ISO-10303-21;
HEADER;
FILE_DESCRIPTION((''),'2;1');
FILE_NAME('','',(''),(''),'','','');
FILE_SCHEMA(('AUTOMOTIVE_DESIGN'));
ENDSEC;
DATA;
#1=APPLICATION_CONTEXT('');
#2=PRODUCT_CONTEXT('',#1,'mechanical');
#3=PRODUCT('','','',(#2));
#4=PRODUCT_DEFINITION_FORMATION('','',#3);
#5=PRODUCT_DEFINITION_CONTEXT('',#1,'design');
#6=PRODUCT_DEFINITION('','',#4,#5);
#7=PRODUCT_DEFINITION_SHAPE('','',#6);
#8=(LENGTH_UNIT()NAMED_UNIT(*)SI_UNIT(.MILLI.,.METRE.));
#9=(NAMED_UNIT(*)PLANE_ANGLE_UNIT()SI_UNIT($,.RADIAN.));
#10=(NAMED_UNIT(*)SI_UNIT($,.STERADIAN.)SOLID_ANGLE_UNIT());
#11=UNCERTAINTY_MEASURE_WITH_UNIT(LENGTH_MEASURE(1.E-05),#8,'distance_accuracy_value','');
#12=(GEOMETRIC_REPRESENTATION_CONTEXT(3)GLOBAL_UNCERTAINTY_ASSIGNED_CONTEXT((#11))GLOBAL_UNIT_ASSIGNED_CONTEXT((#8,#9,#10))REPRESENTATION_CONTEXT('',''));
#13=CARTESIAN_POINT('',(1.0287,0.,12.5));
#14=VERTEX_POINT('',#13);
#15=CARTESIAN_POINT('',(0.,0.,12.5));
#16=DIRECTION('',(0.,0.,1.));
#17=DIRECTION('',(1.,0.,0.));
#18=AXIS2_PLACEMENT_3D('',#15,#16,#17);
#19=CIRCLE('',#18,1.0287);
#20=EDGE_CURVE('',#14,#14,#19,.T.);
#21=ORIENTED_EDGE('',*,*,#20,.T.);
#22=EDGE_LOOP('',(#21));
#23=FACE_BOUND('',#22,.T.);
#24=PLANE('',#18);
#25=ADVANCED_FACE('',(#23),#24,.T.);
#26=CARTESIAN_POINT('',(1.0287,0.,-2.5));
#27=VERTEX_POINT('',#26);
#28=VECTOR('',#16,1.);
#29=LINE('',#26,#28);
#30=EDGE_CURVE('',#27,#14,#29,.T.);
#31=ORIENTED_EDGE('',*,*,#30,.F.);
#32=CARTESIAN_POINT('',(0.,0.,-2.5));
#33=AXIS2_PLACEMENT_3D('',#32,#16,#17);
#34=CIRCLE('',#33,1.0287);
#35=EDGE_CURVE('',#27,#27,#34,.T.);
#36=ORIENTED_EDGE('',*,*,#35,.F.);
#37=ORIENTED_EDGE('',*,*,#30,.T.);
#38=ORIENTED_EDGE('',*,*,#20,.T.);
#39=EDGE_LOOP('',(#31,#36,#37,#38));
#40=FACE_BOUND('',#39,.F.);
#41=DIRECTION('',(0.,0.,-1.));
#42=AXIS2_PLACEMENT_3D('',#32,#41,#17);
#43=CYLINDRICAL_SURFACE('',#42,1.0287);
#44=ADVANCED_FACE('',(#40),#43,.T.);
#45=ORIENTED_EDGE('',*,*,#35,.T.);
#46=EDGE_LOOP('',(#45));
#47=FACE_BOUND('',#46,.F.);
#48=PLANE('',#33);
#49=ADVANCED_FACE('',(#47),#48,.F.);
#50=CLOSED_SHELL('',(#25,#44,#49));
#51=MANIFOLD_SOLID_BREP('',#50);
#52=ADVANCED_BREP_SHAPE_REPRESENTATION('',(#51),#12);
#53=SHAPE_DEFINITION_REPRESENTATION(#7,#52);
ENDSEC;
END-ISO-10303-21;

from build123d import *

# Parameters (mm, degrees)
CYLINDER_R     = 1.0287
CYLINDER_DEPTH = 15


with BuildPart() as part:
    # Cylinder → Cylinder (new body)
    with BuildSketch(Plane.XY.offset(-2.5)):
        Circle(CYLINDER_R)
    extrude(amount=CYLINDER_DEPTH)


solid = part.part
